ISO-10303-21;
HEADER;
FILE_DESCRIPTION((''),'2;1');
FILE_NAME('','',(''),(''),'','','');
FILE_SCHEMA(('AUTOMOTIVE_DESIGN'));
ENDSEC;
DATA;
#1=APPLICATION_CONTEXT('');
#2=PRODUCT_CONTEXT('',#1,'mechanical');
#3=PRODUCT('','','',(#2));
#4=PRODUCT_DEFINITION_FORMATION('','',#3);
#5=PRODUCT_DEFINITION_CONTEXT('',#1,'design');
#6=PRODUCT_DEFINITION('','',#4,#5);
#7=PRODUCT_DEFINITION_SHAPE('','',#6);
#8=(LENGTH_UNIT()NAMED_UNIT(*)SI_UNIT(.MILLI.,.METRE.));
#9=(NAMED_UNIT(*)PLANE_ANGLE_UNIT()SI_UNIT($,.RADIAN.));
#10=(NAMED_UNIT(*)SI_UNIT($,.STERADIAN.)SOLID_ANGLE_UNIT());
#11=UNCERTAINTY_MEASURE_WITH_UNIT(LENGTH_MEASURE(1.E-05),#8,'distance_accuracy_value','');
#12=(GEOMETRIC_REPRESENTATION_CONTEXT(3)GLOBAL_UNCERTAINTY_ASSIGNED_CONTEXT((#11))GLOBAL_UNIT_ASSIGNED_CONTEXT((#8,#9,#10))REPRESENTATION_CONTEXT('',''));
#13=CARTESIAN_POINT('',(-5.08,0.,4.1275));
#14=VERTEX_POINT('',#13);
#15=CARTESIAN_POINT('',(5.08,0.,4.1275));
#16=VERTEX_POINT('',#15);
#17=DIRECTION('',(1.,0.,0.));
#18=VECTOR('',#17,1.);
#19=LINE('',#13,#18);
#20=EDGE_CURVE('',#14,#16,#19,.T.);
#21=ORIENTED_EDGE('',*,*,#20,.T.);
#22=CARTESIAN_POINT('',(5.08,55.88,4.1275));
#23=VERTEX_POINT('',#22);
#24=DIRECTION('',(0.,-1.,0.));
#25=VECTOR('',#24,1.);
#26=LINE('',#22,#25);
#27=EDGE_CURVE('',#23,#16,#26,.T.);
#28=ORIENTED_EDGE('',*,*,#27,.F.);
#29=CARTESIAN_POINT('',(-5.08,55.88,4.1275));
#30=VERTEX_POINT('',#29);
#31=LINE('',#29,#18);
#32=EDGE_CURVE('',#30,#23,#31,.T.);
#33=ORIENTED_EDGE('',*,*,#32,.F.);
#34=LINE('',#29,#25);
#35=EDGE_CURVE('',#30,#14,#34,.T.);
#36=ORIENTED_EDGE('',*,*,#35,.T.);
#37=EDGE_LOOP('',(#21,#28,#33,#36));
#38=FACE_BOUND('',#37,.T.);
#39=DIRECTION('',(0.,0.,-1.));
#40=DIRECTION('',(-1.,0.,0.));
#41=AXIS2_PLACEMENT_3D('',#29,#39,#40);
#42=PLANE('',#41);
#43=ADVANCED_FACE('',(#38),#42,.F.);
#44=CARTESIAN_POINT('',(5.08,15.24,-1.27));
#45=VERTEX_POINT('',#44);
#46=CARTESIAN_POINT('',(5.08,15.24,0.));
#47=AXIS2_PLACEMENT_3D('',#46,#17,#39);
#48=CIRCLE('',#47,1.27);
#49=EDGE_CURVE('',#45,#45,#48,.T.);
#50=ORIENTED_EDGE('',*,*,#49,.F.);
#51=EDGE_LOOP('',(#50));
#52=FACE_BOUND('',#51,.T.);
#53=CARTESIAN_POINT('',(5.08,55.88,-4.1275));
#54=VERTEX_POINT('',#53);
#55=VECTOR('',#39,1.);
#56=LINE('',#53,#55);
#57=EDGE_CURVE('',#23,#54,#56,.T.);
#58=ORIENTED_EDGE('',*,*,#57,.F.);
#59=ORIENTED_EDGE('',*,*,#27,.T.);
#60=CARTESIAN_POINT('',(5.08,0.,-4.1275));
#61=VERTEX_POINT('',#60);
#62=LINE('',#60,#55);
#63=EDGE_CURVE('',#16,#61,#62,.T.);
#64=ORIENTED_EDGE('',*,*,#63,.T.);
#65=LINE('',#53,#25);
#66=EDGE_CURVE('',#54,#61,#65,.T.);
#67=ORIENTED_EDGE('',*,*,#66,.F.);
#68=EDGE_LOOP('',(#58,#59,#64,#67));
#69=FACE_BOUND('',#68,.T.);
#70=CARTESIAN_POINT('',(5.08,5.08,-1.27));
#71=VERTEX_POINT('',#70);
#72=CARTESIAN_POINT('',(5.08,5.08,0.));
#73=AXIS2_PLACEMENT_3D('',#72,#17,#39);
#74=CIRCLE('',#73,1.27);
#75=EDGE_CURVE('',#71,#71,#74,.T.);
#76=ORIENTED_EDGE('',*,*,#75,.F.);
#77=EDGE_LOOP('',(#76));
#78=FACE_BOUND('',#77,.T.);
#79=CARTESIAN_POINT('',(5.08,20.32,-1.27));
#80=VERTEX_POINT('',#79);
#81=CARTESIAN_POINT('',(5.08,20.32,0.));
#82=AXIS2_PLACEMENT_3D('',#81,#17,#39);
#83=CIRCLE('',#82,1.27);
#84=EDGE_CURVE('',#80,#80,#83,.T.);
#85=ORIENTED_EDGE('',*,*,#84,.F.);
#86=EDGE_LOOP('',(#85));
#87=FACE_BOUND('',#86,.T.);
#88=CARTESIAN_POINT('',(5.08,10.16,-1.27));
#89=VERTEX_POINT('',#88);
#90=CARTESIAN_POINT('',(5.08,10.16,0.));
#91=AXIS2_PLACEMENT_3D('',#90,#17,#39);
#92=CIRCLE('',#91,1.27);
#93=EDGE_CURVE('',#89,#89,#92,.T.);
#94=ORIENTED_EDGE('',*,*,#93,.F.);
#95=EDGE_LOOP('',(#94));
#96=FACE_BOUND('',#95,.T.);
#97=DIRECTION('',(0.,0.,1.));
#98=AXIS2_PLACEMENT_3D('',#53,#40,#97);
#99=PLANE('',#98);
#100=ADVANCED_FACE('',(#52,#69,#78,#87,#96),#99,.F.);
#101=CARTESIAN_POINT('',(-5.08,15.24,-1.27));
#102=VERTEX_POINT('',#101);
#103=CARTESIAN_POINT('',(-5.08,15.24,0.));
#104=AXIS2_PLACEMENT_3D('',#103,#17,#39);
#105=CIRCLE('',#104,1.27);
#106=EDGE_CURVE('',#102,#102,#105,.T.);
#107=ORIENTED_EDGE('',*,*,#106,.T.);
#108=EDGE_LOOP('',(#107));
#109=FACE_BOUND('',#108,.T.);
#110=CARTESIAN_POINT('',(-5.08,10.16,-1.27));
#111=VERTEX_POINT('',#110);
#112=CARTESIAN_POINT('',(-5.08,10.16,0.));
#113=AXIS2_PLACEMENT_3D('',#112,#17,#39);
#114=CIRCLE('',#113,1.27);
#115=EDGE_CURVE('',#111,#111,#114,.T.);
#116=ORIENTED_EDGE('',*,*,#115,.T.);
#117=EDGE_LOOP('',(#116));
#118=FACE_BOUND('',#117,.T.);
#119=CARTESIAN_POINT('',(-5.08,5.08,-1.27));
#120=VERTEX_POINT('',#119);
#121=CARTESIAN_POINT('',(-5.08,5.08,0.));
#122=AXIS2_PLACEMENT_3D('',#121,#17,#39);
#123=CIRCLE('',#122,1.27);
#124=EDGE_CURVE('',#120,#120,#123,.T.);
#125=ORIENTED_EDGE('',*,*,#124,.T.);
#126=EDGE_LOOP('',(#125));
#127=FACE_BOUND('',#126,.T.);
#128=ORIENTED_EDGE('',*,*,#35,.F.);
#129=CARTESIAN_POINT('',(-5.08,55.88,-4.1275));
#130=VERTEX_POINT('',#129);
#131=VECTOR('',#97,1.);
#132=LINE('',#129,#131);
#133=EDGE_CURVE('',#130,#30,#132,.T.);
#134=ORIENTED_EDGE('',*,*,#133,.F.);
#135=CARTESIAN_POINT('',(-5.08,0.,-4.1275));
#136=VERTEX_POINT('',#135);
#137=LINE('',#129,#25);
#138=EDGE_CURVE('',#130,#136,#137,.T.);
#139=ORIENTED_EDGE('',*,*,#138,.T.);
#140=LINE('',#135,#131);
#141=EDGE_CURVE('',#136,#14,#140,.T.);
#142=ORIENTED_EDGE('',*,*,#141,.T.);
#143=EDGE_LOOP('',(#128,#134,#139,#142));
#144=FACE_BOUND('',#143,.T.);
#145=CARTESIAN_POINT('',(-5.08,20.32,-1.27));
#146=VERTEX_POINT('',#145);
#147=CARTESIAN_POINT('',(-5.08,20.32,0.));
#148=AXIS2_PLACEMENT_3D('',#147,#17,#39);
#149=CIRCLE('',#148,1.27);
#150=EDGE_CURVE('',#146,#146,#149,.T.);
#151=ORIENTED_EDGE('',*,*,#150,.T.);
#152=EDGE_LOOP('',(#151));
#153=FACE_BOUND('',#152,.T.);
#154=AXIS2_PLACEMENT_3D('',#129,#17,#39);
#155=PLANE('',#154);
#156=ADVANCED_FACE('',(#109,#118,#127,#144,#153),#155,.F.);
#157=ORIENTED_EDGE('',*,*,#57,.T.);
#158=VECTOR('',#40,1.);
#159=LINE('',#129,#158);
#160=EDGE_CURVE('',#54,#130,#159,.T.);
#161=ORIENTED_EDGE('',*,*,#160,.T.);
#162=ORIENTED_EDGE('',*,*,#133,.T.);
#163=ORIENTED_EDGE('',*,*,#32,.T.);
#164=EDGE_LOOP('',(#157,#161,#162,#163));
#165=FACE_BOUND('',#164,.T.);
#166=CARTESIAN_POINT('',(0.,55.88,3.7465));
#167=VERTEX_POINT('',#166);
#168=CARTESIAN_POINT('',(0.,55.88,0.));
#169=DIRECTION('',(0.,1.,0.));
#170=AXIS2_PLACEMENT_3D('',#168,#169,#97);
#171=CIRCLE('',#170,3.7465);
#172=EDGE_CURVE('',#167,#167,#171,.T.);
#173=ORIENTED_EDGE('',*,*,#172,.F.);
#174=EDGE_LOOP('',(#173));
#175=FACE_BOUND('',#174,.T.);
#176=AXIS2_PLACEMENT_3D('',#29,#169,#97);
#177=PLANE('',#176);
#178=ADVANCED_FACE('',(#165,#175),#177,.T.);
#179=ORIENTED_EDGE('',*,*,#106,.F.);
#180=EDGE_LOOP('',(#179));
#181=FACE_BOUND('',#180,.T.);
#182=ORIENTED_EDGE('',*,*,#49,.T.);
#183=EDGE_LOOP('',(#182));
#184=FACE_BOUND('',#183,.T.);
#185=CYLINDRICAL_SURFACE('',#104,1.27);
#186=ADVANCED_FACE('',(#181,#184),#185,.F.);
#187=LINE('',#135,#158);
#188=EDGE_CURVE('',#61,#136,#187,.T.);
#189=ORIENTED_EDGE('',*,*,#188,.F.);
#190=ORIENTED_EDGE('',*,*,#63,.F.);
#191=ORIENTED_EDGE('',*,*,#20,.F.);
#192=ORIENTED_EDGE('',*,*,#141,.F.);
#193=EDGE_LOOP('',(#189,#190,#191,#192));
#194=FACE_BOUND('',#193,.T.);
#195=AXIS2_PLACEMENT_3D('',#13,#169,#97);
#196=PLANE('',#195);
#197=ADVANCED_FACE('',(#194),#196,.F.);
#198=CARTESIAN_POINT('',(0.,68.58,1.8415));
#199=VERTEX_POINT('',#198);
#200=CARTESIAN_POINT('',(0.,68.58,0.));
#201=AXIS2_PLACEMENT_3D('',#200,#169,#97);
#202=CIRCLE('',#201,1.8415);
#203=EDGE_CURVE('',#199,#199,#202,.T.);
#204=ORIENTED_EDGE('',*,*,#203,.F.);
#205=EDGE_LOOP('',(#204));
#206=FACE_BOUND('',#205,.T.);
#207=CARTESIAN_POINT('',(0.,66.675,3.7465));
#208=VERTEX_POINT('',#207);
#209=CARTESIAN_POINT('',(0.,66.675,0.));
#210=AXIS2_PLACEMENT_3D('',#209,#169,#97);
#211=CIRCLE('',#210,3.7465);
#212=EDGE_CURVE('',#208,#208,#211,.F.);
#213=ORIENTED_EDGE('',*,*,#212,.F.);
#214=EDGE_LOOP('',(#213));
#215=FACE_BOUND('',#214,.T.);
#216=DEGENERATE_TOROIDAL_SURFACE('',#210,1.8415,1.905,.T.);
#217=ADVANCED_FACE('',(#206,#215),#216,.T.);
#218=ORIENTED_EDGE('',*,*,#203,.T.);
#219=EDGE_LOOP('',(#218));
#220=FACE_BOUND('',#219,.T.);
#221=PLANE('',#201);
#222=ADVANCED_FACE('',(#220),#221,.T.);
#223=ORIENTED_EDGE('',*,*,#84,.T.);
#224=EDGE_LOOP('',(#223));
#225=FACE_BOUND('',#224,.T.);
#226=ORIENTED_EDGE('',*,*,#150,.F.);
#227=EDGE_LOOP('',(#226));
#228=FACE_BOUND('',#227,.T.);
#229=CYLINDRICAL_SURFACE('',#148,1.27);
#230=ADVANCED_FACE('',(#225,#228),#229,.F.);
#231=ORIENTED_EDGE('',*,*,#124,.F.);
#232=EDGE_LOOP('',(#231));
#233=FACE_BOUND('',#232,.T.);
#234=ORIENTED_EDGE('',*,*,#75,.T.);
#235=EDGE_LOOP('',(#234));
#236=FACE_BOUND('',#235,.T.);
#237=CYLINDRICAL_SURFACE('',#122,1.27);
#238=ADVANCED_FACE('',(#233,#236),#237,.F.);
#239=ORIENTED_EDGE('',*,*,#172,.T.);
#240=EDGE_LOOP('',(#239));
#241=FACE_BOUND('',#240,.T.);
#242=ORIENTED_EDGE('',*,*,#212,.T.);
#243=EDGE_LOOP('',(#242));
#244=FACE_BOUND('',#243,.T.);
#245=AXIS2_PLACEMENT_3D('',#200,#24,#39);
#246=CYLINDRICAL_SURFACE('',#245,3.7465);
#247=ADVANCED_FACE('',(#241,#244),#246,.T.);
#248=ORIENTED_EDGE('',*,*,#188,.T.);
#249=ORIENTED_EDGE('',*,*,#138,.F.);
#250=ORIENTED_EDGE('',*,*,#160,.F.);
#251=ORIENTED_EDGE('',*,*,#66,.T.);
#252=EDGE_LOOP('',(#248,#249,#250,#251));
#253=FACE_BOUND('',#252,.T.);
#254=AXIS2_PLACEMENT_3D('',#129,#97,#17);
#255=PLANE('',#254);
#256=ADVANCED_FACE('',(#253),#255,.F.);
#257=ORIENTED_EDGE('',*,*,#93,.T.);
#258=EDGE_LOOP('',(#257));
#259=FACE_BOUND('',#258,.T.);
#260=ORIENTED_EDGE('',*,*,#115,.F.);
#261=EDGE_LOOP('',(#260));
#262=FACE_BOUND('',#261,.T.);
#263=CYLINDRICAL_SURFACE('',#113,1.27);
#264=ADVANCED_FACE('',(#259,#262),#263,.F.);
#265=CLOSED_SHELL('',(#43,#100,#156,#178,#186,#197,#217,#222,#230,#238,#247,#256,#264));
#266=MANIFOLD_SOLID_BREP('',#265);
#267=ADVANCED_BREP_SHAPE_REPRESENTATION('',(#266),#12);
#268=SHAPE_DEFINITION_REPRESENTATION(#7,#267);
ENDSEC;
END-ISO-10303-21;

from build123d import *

# Parameters (mm, degrees)
SKETCH1_W           = 10.16
SKETCH1_H           = 8.255
BOSS_EXTRUDE1_DEPTH = 55.88
SKETCH2_R           = 3.7465
BOSS_EXTRUDE2_DEPTH = 12.7
SKETCH3_R           = 1.27
CUT_EXTRUDE2_DEPTH  = 70.451265332
LPATTERN1_COUNT     = 4
LPATTERN1_PITCH     = 5.08
FILLET1_R           = 1.905


with BuildPart() as part:
    # Sketch1 → Boss-Extrude1 (new body)
    with BuildSketch(Plane(origin=(0, 0, 0), x_dir=(1, 0, 0), z_dir=(0, 1, 0))):
        Rectangle(SKETCH1_W, SKETCH1_H)
    extrude(amount=BOSS_EXTRUDE1_DEPTH)

    # Sketch2 → Boss-Extrude2 (add)
    with BuildSketch(Plane(origin=(0, 55.88, 0), x_dir=(1, 0, 0), z_dir=(0, 1, 0))):
        with Locations(Location((0, 0, 0), (0, 0, 270))):
            Circle(SKETCH2_R)
    extrude(amount=BOSS_EXTRUDE2_DEPTH)

    # Sketch3 → Cut-Extrude2 (cut, through all)
    with BuildSketch(Plane(origin=(5.08, 0, 0), x_dir=(0, 0, -1), z_dir=(1, 0, 0))):
        with Locations((0, 5.08)):
            Circle(SKETCH3_R)
    cut_extrude2 = extrude(amount=-CUT_EXTRUDE2_DEPTH, mode=Mode.SUBTRACT)

    # LPattern1: Cut-Extrude2 ×4
    with Locations(*[(0, i * LPATTERN1_PITCH, 0) for i in range(1, LPATTERN1_COUNT)]):
        add(cut_extrude2, mode=Mode.SUBTRACT)

    # Fillet1
    fillet1_edges = [part.edges().sort_by_distance(p)[0] for p in [
        (0, 68.58, -3.7465),
    ]]
    fillet(fillet1_edges, radius=FILLET1_R)


solid = part.part
